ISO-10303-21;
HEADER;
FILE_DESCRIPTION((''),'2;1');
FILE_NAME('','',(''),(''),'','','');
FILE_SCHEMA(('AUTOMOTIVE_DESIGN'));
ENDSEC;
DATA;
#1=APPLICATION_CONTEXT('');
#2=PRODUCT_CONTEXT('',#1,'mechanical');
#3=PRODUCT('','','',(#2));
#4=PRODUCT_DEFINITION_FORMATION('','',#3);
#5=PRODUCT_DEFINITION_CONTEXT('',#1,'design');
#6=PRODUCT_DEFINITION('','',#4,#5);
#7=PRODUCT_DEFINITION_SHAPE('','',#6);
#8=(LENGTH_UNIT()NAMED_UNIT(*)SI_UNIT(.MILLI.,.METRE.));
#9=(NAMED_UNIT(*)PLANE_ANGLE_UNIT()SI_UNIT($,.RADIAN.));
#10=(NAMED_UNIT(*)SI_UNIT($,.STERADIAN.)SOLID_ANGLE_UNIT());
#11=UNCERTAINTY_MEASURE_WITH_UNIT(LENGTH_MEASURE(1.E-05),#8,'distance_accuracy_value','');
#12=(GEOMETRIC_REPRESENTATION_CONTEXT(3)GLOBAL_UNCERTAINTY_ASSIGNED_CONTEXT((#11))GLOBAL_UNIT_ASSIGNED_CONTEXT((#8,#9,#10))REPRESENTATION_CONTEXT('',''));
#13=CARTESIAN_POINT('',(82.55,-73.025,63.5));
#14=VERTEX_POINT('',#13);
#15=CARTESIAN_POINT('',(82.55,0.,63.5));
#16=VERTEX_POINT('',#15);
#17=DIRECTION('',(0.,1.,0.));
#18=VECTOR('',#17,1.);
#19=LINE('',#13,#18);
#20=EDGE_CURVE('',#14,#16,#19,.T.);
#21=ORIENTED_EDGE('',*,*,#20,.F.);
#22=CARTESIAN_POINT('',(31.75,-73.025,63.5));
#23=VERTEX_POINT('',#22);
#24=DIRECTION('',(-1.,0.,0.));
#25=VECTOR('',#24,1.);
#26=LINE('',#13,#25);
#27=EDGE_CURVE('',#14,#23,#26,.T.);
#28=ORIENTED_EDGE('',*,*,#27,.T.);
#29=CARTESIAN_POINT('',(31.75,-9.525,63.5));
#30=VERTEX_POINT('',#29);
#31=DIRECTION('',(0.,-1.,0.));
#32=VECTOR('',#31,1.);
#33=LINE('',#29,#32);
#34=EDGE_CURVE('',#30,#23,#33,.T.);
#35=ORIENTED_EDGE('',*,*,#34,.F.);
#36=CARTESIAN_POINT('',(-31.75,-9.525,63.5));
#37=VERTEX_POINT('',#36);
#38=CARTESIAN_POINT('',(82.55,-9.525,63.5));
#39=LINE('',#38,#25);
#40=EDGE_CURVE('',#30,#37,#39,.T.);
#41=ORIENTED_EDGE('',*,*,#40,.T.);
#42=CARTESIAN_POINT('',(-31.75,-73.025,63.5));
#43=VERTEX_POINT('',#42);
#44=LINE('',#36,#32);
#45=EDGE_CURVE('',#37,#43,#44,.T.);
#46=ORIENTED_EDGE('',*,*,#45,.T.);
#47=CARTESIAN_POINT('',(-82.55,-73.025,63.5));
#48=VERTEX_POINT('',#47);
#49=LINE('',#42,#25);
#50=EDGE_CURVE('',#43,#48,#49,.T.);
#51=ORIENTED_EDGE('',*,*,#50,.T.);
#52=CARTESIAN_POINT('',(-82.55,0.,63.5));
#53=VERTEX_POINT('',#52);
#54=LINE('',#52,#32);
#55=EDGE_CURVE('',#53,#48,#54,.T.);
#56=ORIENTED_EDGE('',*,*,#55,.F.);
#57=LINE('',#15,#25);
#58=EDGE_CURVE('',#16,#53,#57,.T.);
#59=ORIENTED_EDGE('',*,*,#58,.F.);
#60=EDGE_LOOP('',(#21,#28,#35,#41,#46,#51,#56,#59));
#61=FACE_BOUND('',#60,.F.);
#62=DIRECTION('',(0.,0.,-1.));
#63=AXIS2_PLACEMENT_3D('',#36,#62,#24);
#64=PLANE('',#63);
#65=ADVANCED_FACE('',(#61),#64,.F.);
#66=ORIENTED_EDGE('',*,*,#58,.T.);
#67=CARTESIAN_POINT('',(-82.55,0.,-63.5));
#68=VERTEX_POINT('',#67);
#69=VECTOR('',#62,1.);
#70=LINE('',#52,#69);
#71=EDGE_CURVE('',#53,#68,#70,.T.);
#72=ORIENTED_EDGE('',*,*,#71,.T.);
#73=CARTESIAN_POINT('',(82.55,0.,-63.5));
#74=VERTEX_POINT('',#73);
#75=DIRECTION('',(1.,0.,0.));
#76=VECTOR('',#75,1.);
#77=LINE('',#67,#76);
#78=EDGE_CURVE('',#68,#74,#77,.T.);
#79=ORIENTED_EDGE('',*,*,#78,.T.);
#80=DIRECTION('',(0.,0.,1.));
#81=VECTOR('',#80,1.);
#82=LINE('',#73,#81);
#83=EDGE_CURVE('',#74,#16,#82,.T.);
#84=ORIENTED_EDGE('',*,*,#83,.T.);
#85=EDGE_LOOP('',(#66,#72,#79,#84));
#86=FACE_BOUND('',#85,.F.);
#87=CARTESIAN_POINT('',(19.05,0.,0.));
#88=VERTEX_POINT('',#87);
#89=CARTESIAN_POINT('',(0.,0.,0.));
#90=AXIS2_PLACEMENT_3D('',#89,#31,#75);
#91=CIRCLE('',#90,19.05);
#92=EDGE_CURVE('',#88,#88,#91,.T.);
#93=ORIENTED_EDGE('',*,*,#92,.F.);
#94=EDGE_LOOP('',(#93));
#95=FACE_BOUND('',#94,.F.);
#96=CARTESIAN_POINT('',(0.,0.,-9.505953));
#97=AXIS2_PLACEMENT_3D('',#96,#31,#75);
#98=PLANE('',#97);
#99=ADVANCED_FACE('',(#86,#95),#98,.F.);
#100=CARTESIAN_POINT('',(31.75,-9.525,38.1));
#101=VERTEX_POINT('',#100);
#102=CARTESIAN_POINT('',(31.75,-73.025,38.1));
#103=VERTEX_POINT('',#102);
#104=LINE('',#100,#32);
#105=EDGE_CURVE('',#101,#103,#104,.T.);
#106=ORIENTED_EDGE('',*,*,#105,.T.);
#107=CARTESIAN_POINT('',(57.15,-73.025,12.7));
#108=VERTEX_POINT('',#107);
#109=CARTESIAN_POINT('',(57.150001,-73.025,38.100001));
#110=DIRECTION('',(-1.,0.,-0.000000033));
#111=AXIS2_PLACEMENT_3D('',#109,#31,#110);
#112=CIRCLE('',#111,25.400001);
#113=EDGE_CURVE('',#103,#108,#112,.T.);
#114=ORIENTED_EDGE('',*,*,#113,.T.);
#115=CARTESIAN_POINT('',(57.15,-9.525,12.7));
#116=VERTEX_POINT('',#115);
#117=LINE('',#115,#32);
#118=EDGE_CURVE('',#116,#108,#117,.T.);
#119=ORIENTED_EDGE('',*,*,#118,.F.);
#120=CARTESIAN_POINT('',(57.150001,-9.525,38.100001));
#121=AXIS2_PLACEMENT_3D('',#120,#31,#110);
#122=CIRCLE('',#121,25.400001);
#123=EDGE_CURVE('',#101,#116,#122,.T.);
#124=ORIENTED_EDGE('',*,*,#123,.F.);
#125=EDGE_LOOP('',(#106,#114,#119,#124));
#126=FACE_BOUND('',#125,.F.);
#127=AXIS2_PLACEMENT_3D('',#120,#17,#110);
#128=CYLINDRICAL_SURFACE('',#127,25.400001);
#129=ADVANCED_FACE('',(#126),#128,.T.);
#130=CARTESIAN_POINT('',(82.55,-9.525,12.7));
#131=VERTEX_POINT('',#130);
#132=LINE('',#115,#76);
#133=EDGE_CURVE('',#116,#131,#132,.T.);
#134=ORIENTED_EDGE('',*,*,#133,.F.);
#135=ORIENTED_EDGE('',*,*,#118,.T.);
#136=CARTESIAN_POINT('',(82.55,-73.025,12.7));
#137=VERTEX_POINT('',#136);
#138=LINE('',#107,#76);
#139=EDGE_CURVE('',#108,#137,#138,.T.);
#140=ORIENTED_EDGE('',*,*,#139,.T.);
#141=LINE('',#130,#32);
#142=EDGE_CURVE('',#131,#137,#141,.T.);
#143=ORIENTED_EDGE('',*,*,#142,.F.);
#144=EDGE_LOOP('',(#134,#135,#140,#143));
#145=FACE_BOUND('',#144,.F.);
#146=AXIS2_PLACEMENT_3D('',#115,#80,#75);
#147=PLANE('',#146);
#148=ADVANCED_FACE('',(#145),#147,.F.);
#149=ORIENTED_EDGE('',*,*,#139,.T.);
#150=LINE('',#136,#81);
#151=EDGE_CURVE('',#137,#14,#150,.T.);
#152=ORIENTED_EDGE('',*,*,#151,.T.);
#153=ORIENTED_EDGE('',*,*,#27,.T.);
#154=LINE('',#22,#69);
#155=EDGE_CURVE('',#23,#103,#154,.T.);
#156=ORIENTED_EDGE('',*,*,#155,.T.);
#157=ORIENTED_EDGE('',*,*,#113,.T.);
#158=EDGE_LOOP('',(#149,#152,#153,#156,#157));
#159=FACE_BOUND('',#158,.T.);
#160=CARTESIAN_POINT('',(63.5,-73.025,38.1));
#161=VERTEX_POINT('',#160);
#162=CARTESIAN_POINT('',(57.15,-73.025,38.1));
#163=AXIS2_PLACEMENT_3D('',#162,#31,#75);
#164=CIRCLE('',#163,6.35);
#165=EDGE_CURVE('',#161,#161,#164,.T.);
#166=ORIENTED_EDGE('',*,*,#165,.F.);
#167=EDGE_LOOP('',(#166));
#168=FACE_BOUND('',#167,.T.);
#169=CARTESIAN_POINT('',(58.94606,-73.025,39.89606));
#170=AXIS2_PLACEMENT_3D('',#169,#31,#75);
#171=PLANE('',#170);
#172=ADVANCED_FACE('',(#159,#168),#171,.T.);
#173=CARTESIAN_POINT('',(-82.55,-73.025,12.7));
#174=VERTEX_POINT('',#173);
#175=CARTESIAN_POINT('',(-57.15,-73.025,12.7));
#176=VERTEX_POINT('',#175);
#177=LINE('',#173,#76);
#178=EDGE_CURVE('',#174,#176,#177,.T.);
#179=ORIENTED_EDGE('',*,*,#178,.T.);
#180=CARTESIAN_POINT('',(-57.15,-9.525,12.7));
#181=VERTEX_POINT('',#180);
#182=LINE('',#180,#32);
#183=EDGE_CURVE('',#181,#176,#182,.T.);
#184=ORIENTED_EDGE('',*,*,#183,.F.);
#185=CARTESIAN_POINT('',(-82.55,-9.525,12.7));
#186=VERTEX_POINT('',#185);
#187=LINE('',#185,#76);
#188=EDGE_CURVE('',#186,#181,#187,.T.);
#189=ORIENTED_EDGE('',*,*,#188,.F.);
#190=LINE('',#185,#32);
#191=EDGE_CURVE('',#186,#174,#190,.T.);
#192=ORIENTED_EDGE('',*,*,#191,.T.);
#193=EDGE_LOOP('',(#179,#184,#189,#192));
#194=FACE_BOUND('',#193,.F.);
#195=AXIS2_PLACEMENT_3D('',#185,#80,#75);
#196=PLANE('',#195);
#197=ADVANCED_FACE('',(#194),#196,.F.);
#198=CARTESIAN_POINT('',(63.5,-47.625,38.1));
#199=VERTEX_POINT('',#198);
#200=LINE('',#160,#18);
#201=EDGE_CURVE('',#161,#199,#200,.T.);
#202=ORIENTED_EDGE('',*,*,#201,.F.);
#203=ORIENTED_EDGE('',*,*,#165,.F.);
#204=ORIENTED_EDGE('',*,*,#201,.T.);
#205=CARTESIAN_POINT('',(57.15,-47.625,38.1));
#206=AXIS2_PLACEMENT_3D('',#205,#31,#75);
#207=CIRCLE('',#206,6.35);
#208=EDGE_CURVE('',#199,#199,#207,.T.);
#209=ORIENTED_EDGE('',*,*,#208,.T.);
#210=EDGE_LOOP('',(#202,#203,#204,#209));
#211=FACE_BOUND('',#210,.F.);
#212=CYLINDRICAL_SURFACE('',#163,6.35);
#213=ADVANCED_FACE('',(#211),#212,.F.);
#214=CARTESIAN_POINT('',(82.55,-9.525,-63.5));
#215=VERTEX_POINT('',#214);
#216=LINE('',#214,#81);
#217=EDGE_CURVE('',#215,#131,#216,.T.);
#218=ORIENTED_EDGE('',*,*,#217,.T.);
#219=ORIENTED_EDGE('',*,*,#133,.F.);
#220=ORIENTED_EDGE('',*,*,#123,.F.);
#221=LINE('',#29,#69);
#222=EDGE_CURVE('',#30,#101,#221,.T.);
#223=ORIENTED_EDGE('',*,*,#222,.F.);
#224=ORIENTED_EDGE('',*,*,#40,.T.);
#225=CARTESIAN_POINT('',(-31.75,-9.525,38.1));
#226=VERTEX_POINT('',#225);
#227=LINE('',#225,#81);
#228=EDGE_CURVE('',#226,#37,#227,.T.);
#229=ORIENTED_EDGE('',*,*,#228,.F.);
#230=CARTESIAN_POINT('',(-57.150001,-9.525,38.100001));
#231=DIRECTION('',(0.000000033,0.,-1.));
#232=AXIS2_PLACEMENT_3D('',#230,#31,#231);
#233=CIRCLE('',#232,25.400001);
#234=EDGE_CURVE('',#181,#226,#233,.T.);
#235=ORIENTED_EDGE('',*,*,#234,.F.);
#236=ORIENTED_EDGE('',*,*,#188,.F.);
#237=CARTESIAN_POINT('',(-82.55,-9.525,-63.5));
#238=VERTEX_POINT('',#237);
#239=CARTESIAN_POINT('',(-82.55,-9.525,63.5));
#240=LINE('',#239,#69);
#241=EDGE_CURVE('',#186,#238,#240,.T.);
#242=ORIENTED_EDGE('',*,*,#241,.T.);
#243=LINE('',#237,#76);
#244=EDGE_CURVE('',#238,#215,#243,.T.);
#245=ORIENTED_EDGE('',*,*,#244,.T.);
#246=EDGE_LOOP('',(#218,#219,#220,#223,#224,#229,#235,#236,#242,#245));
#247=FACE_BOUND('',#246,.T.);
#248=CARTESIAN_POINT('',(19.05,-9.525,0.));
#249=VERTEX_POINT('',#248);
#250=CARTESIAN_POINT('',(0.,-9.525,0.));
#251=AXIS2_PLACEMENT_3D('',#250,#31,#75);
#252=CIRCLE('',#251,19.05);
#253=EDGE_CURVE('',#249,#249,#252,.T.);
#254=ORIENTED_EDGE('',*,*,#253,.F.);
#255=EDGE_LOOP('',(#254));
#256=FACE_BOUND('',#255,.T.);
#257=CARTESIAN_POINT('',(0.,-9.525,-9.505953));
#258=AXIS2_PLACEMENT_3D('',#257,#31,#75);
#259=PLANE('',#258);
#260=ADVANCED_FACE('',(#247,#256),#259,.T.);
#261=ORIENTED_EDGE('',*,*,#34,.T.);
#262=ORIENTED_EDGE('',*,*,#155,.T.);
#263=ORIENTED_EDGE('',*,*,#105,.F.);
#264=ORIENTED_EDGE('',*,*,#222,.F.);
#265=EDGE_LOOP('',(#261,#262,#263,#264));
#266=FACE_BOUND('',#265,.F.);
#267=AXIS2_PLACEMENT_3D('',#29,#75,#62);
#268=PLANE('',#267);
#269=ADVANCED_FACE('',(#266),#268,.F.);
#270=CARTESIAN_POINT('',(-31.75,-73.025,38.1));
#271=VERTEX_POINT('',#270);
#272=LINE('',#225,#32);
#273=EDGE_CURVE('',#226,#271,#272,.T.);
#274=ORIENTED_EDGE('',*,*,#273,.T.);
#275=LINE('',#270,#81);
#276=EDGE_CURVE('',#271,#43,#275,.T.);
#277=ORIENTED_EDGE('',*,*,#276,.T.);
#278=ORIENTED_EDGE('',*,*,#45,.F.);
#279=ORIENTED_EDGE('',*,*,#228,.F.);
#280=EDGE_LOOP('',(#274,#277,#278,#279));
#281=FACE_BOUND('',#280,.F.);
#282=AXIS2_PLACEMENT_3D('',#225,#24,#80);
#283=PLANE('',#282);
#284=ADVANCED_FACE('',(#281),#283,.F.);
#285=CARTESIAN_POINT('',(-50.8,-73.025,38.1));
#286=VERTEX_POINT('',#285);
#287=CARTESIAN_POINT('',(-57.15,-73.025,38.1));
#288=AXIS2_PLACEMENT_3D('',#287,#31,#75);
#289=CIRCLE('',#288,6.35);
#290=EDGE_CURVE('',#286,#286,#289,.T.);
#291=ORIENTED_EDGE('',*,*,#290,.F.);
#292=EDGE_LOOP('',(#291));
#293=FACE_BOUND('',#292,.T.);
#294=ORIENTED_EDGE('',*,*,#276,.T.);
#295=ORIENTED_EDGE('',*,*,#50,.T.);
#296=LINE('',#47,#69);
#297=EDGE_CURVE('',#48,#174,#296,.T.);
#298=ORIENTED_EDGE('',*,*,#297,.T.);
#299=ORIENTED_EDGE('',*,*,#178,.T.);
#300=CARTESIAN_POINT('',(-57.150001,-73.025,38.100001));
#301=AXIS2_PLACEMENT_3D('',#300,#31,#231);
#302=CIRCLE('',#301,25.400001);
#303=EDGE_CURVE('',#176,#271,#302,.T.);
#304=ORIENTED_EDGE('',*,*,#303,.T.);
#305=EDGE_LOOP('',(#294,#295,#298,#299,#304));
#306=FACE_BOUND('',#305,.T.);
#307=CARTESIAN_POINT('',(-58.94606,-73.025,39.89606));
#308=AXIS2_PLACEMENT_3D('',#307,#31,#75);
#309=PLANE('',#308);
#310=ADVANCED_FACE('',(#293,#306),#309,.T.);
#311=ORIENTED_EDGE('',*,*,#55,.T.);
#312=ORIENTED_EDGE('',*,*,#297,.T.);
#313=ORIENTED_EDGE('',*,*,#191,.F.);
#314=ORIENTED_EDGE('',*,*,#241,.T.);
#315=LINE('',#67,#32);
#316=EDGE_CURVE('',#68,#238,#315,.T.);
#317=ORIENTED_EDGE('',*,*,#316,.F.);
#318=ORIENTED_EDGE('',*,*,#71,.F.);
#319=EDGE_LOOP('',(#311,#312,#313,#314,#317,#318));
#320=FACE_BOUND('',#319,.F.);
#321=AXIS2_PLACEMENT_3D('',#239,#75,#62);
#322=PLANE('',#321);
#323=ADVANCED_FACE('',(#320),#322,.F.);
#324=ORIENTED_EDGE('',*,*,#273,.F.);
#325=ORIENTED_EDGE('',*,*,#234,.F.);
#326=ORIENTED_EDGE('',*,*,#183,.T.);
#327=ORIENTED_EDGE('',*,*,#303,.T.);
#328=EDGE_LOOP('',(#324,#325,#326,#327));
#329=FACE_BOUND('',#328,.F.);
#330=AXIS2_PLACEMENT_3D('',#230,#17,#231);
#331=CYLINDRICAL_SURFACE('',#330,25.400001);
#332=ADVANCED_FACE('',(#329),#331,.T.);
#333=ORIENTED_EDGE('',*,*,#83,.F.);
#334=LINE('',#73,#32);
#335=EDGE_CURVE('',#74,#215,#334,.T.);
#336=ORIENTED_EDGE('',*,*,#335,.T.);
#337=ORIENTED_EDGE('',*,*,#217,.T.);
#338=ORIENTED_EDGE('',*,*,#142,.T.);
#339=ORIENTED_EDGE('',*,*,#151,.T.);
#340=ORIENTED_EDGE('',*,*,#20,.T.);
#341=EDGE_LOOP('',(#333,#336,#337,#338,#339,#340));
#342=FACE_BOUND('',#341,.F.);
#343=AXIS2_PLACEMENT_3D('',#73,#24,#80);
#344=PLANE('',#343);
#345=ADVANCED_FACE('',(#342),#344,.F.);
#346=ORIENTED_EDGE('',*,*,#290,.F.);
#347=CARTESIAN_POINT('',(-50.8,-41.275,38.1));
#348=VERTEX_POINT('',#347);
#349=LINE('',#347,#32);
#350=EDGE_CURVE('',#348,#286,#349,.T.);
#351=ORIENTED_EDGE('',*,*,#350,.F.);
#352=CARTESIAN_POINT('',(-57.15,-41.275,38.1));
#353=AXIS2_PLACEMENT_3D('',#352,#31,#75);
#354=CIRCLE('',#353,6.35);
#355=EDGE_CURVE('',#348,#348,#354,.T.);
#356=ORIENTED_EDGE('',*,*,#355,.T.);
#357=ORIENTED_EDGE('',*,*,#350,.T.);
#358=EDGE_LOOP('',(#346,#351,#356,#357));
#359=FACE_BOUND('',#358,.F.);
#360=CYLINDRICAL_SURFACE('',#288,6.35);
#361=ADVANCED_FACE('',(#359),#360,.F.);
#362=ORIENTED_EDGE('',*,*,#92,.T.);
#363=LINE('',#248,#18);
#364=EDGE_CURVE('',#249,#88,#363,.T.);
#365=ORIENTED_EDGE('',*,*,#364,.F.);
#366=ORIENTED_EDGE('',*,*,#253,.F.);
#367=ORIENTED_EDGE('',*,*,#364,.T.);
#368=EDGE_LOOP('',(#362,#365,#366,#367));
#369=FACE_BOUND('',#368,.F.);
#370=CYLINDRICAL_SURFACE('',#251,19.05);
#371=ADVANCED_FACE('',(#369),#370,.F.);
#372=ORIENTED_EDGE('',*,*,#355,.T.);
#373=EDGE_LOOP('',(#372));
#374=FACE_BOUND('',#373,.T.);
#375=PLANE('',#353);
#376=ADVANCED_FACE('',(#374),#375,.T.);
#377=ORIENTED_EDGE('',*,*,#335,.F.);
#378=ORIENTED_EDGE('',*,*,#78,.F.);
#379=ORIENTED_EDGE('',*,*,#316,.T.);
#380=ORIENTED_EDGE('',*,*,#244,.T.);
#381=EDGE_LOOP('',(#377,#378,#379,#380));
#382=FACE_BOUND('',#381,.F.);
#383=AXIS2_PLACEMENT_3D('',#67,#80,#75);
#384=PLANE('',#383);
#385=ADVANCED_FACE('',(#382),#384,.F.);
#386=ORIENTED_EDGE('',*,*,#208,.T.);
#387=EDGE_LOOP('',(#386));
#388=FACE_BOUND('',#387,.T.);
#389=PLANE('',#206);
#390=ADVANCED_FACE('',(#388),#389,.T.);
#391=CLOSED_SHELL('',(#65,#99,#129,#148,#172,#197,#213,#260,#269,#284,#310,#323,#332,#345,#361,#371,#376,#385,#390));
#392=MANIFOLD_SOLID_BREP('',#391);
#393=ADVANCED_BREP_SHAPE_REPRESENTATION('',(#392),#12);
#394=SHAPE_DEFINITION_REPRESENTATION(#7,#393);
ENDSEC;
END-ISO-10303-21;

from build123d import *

# Parameters (mm, degrees)
F1_DEPTH  = 9.525
F3_DEPTH  = 63.5
F4_R      = 19.05
F5_DEPTH  = 9.526
F6_R      = 6.35
F7_DEPTH  = 31.75
F8_DEPTH  = 25.4
F9_R      = 6.35
F10_DEPTH = 25.4


with BuildPart() as f1:
    # F0 (on Front) → F1 (new body)
    with BuildSketch(Plane.XZ):
        with BuildLine():
            Line((-82.55, 12.7), (-82.55, -63.5))
            Line((-82.55, -63.5), (82.55, -63.5))
            Line((82.55, -63.5), (82.55, 0.801746))
            Line((82.55, 0.801746), (82.55, 12.7))
            Line((82.55, 12.7), (57.15, 12.7))
            ThreePointArc((57.15, 12.7), (39.189488, 20.139488), (31.75, 38.1))
            Line((31.75, 38.1), (31.75, 63.5))
            Line((31.75, 63.5), (-6.35, 63.5))
            Line((-6.35, 63.5), (-31.75, 63.5))
            Line((-31.75, 63.5), (-31.75, 38.1))
            ThreePointArc((-31.75, 38.1), (-39.189488, 20.139488), (-57.15, 12.7))
            Line((-57.15, 12.7), (-82.55, 12.7))
        make_face()
        with BuildLine():
            Line((-82.55, 20.29972), (-82.55, 12.7))
            Line((-82.55, 12.7), (-57.15, 12.7))
            ThreePointArc((-57.15, 12.7), (-39.189488, 20.139488), (-31.75, 38.1))
            Line((-31.75, 38.1), (-31.75, 63.5))
            Line((-31.75, 63.5), (-82.55, 63.5))
            Line((-82.55, 63.5), (-82.55, 20.29972))
        make_face()
        with BuildLine():
            Line((57.15, 12.7), (82.55, 12.7))
            Line((82.55, 12.7), (82.55, 63.5))
            Line((82.55, 63.5), (34.184467, 63.5))
            Line((34.184467, 63.5), (31.75, 63.5))
            Line((31.75, 63.5), (31.75, 38.1))
            ThreePointArc((31.75, 38.1), (39.189488, 20.139488), (57.15, 12.7))
        make_face()
    extrude(amount=F1_DEPTH)

    # F2 (on face) → F3 (join)
    with BuildSketch(Plane.XZ.offset(9.525)):
        with BuildLine():
            Line((-31.75, 63.5), (-82.55, 63.5))
            Line((-82.55, 63.5), (-82.55, 12.7))
            Line((-82.55, 12.7), (-57.15, 12.7))
            ThreePointArc((-57.15, 12.7), (-39.189488, 20.139488), (-31.75, 38.1))
            Line((-31.75, 38.1), (-31.75, 63.5))
        make_face()
        with BuildLine():
            Line((82.55, 12.7), (82.55, 63.5))
            Line((82.55, 63.5), (31.75, 63.5))
            Line((31.75, 63.5), (31.75, 38.1))
            ThreePointArc((31.75, 38.1), (39.189488, 20.139488), (57.15, 12.7))
            Line((57.15, 12.7), (82.55, 12.7))
        make_face()
    extrude(amount=F3_DEPTH)

    # F4 (on face) → F5 (cut, through all)
    with BuildSketch(Plane.XZ.offset(9.525)):
        Circle(F4_R)
    extrude(amount=-F5_DEPTH, mode=Mode.SUBTRACT)

    # F6 (on face) → F7 (cut)
    with BuildSketch(Plane.XZ.offset(73.025)):
        with Locations((-57.15, 38.1)):
            Circle(F6_R)
    extrude(amount=-F7_DEPTH, mode=Mode.SUBTRACT)

    # F6 (on face) → F8 (cut)
    with BuildSketch(Plane.XZ.offset(73.025)):
        with Locations((-57.15, 38.1)):
            Circle(F6_R)
    extrude(amount=-F8_DEPTH, mode=Mode.SUBTRACT)

    # F9 (on face) → F10 (cut)
    with BuildSketch(Plane.XZ.offset(73.025)):
        with Locations((57.15, 38.1)):
            Circle(F9_R)
    extrude(amount=-F10_DEPTH, mode=Mode.SUBTRACT)


solid = f1.part
